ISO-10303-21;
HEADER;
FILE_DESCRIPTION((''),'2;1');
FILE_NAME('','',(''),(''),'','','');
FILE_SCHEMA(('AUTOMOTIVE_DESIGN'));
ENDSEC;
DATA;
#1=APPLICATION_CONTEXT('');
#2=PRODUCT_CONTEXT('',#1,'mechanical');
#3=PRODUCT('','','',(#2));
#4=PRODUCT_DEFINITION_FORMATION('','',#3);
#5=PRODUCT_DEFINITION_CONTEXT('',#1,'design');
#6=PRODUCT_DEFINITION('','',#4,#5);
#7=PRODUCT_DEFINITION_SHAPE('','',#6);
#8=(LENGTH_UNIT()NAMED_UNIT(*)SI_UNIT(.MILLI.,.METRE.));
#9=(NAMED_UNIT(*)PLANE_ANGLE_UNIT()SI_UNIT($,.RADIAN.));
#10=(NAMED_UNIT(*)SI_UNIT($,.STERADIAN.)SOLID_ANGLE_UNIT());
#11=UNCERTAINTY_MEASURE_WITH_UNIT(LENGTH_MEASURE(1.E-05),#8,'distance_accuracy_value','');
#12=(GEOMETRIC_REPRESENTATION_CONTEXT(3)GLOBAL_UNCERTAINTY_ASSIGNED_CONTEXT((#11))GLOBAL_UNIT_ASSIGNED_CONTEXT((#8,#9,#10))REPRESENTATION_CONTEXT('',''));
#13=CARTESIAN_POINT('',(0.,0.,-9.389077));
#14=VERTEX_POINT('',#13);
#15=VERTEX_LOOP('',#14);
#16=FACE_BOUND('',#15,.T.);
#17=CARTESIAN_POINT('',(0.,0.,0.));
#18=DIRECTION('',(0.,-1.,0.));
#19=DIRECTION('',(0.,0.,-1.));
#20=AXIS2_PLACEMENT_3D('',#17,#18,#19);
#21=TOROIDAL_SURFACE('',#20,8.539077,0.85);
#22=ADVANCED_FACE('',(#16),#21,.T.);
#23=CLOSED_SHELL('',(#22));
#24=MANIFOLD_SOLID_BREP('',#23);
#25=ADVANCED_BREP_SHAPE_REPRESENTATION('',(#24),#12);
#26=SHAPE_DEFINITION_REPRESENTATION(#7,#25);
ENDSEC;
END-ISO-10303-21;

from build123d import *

# Parameters (mm, degrees)
SKETCH4_R = 0.85


with BuildPart() as part:
    # Body: sweep along a path in Sketch3
    with BuildLine(Plane(origin=(0, 0, 0), x_dir=(1, 0, 0), z_dir=(0, 1, 0))) as body_path:
        CenterArc((0, 0), 8.53907747, 0, 360)
    # Sketch4 → Body (sweep)
    with BuildSketch(Plane.XY):
        with Locations((8.53907747, 0)):
            Circle(SKETCH4_R)
    sweep(path=body_path.line)


solid = part.part
